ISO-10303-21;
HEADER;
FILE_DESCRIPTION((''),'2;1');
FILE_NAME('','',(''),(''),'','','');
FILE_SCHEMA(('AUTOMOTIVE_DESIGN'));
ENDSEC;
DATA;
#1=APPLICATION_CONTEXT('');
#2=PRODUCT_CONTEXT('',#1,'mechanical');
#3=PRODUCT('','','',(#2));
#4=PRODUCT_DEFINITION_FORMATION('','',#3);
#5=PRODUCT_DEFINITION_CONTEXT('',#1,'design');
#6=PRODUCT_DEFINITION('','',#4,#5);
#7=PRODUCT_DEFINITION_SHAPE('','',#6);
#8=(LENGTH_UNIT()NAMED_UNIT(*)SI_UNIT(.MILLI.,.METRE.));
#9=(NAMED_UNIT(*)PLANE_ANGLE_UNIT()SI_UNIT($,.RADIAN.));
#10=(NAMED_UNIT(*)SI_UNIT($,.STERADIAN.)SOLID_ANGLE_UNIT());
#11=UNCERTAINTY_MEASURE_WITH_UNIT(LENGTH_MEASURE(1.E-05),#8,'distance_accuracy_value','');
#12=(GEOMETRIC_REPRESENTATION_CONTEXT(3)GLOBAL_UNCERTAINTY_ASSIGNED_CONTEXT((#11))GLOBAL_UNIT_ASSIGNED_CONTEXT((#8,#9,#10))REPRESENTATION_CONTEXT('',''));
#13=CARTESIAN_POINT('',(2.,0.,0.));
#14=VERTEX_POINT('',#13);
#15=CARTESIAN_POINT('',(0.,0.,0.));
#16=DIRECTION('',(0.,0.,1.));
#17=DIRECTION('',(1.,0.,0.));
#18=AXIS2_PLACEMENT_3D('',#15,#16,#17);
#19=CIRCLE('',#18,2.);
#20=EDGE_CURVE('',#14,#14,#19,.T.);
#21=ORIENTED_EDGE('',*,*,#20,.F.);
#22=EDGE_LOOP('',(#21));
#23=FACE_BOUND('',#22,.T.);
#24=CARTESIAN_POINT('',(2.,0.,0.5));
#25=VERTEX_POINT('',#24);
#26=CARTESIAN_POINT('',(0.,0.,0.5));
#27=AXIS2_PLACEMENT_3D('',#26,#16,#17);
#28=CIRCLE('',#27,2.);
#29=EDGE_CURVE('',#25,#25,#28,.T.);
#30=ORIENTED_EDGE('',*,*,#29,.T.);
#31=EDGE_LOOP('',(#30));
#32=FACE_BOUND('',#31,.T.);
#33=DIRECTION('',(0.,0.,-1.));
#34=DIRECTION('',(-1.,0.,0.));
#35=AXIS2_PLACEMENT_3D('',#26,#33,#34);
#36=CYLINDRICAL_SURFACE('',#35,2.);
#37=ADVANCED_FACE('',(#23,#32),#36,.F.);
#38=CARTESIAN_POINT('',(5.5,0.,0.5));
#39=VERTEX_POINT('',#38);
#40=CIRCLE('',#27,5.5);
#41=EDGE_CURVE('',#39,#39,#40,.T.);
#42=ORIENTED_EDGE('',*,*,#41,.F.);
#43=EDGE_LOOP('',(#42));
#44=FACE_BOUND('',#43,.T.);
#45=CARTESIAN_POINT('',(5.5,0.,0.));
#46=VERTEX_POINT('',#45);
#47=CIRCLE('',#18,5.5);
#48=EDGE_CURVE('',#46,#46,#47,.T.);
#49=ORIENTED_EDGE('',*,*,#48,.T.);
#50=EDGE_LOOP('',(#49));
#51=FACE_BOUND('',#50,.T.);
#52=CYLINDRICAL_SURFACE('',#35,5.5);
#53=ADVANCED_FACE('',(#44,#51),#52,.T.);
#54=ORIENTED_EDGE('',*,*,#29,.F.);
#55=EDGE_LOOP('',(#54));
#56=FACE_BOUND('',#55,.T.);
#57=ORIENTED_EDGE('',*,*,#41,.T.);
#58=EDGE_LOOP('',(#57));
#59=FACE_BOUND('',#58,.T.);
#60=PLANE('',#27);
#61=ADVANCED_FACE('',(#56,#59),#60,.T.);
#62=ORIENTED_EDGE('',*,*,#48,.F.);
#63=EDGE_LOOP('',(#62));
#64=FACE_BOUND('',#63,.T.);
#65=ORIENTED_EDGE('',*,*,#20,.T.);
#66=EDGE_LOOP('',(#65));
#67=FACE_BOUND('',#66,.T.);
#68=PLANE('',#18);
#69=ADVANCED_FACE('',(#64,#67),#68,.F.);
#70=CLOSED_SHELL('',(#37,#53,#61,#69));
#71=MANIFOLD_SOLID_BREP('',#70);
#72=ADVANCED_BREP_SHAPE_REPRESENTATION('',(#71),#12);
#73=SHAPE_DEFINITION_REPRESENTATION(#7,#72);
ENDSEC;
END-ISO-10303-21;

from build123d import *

# Parameters (mm, degrees)
ESQUISSE1_R      = 5.5
ESQUISSE1_R_2    = 2
EXTRUSION1_DEPTH = 0.5


with BuildPart() as part:
    # Esquisse1 → Extrusion1 (new body)
    with BuildSketch(Plane.XY):
        Circle(ESQUISSE1_R)
        Circle(ESQUISSE1_R_2, mode=Mode.SUBTRACT)
    extrude(amount=EXTRUSION1_DEPTH)


solid = part.part
